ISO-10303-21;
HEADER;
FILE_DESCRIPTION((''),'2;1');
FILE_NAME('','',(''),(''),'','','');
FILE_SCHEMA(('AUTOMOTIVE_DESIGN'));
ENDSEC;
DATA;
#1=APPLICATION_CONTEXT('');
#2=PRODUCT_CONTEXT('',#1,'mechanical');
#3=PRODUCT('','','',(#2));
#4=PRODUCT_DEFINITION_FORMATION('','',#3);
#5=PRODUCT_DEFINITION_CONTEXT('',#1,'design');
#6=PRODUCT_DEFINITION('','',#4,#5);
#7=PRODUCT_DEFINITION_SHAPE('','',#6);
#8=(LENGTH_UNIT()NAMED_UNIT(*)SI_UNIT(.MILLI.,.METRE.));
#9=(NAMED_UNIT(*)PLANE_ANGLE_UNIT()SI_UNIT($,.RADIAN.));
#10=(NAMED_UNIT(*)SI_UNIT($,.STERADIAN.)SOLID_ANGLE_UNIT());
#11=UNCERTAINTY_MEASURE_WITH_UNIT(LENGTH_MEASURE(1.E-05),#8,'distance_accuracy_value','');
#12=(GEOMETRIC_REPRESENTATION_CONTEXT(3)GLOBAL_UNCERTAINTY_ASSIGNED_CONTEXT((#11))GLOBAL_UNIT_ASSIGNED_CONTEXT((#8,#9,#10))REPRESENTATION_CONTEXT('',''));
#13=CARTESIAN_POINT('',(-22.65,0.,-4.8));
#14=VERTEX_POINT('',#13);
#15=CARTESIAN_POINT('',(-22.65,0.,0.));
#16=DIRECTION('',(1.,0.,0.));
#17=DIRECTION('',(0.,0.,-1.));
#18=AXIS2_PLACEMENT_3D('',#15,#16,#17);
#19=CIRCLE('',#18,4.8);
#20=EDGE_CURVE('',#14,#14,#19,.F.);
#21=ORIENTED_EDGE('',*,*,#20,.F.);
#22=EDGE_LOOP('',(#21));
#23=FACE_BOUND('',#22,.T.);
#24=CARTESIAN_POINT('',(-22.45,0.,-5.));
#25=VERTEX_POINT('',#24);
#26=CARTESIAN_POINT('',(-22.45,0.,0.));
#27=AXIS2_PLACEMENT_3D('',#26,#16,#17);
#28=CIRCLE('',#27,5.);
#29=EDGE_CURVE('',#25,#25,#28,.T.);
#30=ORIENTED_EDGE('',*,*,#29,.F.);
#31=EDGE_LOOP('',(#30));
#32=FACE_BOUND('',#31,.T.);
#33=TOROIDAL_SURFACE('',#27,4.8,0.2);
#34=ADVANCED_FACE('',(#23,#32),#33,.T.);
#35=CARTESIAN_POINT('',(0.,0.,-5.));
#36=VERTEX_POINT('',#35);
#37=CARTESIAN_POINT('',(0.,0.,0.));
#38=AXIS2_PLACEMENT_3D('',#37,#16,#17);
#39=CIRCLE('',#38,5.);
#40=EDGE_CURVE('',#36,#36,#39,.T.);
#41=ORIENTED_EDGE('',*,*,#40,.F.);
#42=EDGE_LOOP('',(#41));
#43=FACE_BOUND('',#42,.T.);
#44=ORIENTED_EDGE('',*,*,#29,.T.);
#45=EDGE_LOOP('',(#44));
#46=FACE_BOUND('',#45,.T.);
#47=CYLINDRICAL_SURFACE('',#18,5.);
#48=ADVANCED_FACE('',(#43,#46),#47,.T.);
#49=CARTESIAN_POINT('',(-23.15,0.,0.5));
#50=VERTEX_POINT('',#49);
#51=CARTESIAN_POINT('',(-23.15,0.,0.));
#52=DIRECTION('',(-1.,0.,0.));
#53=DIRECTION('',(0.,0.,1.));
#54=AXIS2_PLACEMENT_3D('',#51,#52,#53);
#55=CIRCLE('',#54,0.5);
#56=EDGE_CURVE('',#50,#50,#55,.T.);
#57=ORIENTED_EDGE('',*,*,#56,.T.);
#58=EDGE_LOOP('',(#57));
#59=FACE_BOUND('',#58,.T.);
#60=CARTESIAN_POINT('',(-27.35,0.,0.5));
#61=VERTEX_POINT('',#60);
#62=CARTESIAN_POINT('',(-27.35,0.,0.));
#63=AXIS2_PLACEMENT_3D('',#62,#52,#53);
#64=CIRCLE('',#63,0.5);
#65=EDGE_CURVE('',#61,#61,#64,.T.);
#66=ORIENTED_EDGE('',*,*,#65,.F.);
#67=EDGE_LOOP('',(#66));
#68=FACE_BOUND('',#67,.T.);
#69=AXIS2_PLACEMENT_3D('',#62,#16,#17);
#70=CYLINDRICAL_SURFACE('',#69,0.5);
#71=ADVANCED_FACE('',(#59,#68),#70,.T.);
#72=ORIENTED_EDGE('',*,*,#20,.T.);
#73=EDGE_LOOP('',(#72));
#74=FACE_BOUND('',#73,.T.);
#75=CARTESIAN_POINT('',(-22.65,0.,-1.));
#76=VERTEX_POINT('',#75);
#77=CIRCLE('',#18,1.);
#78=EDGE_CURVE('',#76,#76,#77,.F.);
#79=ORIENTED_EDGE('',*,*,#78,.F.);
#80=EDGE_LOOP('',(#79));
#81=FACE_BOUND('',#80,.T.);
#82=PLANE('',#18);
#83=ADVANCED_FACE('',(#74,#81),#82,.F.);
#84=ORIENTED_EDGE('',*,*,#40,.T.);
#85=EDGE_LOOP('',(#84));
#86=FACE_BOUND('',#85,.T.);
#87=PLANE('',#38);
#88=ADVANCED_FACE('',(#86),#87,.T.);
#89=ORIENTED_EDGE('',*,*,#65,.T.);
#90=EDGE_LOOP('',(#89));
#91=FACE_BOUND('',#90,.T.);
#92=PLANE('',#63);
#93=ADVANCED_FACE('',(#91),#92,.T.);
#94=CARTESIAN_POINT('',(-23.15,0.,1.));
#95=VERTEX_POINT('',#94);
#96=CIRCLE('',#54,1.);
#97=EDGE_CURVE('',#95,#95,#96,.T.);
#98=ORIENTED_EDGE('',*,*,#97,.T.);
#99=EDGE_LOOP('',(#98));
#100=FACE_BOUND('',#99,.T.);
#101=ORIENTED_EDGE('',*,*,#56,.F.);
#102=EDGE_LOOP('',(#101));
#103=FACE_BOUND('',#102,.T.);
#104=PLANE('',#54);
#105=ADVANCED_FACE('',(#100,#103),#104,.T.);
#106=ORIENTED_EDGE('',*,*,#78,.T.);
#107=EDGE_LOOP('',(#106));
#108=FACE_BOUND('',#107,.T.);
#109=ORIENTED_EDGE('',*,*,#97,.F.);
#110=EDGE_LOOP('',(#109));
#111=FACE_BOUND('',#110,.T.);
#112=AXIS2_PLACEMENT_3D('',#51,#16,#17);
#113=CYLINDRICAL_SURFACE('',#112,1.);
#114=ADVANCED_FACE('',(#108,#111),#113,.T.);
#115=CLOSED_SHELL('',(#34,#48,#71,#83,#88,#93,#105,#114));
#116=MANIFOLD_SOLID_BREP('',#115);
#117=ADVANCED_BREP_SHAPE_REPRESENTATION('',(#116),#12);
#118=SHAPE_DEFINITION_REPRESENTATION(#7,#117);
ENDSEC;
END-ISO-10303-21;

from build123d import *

# Parameters (mm, degrees)
ESBO_O2_R                = 5
RESSALTO_EXTRUS_O1_DEPTH = 22.65
ESBO_O3_R                = 0.5
RESSALTO_EXTRUS_O2_DEPTH = 4.7
ESBO_O4_R                = 1
RESSALTO_EXTRUS_O3_DEPTH = 0.5
FILETE1_R                = 0.2


with BuildPart() as part:
    # Esboço2 → Ressalto-extrusão1 (new body)
    with BuildSketch(Plane(origin=(0, 0, 0), x_dir=(0, 0, -1), z_dir=(1, 0, 0))):
        Circle(ESBO_O2_R)
    extrude(amount=-RESSALTO_EXTRUS_O1_DEPTH)

    # Esboço3 → Ressalto-extrusão2 (add)
    with BuildSketch(Plane.ZY.offset(22.65)):
        with Locations(Location((0, 0, 0), (0, 0, 180))):
            Circle(ESBO_O3_R)
    extrude(amount=RESSALTO_EXTRUS_O2_DEPTH)

    # Esboço4 → Ressalto-extrusão3 (add)
    with BuildSketch(Plane.ZY.offset(22.65)):
        with Locations(Location((0, 0, 0), (0, 0, 180))):
            Circle(ESBO_O4_R)
    extrude(amount=RESSALTO_EXTRUS_O3_DEPTH)

    # Filete1
    filete1_edges = [part.edges().sort_by_distance(p)[0] for p in [
        (-22.65, 0, 5),
    ]]
    fillet(filete1_edges, radius=FILETE1_R)


solid = part.part
